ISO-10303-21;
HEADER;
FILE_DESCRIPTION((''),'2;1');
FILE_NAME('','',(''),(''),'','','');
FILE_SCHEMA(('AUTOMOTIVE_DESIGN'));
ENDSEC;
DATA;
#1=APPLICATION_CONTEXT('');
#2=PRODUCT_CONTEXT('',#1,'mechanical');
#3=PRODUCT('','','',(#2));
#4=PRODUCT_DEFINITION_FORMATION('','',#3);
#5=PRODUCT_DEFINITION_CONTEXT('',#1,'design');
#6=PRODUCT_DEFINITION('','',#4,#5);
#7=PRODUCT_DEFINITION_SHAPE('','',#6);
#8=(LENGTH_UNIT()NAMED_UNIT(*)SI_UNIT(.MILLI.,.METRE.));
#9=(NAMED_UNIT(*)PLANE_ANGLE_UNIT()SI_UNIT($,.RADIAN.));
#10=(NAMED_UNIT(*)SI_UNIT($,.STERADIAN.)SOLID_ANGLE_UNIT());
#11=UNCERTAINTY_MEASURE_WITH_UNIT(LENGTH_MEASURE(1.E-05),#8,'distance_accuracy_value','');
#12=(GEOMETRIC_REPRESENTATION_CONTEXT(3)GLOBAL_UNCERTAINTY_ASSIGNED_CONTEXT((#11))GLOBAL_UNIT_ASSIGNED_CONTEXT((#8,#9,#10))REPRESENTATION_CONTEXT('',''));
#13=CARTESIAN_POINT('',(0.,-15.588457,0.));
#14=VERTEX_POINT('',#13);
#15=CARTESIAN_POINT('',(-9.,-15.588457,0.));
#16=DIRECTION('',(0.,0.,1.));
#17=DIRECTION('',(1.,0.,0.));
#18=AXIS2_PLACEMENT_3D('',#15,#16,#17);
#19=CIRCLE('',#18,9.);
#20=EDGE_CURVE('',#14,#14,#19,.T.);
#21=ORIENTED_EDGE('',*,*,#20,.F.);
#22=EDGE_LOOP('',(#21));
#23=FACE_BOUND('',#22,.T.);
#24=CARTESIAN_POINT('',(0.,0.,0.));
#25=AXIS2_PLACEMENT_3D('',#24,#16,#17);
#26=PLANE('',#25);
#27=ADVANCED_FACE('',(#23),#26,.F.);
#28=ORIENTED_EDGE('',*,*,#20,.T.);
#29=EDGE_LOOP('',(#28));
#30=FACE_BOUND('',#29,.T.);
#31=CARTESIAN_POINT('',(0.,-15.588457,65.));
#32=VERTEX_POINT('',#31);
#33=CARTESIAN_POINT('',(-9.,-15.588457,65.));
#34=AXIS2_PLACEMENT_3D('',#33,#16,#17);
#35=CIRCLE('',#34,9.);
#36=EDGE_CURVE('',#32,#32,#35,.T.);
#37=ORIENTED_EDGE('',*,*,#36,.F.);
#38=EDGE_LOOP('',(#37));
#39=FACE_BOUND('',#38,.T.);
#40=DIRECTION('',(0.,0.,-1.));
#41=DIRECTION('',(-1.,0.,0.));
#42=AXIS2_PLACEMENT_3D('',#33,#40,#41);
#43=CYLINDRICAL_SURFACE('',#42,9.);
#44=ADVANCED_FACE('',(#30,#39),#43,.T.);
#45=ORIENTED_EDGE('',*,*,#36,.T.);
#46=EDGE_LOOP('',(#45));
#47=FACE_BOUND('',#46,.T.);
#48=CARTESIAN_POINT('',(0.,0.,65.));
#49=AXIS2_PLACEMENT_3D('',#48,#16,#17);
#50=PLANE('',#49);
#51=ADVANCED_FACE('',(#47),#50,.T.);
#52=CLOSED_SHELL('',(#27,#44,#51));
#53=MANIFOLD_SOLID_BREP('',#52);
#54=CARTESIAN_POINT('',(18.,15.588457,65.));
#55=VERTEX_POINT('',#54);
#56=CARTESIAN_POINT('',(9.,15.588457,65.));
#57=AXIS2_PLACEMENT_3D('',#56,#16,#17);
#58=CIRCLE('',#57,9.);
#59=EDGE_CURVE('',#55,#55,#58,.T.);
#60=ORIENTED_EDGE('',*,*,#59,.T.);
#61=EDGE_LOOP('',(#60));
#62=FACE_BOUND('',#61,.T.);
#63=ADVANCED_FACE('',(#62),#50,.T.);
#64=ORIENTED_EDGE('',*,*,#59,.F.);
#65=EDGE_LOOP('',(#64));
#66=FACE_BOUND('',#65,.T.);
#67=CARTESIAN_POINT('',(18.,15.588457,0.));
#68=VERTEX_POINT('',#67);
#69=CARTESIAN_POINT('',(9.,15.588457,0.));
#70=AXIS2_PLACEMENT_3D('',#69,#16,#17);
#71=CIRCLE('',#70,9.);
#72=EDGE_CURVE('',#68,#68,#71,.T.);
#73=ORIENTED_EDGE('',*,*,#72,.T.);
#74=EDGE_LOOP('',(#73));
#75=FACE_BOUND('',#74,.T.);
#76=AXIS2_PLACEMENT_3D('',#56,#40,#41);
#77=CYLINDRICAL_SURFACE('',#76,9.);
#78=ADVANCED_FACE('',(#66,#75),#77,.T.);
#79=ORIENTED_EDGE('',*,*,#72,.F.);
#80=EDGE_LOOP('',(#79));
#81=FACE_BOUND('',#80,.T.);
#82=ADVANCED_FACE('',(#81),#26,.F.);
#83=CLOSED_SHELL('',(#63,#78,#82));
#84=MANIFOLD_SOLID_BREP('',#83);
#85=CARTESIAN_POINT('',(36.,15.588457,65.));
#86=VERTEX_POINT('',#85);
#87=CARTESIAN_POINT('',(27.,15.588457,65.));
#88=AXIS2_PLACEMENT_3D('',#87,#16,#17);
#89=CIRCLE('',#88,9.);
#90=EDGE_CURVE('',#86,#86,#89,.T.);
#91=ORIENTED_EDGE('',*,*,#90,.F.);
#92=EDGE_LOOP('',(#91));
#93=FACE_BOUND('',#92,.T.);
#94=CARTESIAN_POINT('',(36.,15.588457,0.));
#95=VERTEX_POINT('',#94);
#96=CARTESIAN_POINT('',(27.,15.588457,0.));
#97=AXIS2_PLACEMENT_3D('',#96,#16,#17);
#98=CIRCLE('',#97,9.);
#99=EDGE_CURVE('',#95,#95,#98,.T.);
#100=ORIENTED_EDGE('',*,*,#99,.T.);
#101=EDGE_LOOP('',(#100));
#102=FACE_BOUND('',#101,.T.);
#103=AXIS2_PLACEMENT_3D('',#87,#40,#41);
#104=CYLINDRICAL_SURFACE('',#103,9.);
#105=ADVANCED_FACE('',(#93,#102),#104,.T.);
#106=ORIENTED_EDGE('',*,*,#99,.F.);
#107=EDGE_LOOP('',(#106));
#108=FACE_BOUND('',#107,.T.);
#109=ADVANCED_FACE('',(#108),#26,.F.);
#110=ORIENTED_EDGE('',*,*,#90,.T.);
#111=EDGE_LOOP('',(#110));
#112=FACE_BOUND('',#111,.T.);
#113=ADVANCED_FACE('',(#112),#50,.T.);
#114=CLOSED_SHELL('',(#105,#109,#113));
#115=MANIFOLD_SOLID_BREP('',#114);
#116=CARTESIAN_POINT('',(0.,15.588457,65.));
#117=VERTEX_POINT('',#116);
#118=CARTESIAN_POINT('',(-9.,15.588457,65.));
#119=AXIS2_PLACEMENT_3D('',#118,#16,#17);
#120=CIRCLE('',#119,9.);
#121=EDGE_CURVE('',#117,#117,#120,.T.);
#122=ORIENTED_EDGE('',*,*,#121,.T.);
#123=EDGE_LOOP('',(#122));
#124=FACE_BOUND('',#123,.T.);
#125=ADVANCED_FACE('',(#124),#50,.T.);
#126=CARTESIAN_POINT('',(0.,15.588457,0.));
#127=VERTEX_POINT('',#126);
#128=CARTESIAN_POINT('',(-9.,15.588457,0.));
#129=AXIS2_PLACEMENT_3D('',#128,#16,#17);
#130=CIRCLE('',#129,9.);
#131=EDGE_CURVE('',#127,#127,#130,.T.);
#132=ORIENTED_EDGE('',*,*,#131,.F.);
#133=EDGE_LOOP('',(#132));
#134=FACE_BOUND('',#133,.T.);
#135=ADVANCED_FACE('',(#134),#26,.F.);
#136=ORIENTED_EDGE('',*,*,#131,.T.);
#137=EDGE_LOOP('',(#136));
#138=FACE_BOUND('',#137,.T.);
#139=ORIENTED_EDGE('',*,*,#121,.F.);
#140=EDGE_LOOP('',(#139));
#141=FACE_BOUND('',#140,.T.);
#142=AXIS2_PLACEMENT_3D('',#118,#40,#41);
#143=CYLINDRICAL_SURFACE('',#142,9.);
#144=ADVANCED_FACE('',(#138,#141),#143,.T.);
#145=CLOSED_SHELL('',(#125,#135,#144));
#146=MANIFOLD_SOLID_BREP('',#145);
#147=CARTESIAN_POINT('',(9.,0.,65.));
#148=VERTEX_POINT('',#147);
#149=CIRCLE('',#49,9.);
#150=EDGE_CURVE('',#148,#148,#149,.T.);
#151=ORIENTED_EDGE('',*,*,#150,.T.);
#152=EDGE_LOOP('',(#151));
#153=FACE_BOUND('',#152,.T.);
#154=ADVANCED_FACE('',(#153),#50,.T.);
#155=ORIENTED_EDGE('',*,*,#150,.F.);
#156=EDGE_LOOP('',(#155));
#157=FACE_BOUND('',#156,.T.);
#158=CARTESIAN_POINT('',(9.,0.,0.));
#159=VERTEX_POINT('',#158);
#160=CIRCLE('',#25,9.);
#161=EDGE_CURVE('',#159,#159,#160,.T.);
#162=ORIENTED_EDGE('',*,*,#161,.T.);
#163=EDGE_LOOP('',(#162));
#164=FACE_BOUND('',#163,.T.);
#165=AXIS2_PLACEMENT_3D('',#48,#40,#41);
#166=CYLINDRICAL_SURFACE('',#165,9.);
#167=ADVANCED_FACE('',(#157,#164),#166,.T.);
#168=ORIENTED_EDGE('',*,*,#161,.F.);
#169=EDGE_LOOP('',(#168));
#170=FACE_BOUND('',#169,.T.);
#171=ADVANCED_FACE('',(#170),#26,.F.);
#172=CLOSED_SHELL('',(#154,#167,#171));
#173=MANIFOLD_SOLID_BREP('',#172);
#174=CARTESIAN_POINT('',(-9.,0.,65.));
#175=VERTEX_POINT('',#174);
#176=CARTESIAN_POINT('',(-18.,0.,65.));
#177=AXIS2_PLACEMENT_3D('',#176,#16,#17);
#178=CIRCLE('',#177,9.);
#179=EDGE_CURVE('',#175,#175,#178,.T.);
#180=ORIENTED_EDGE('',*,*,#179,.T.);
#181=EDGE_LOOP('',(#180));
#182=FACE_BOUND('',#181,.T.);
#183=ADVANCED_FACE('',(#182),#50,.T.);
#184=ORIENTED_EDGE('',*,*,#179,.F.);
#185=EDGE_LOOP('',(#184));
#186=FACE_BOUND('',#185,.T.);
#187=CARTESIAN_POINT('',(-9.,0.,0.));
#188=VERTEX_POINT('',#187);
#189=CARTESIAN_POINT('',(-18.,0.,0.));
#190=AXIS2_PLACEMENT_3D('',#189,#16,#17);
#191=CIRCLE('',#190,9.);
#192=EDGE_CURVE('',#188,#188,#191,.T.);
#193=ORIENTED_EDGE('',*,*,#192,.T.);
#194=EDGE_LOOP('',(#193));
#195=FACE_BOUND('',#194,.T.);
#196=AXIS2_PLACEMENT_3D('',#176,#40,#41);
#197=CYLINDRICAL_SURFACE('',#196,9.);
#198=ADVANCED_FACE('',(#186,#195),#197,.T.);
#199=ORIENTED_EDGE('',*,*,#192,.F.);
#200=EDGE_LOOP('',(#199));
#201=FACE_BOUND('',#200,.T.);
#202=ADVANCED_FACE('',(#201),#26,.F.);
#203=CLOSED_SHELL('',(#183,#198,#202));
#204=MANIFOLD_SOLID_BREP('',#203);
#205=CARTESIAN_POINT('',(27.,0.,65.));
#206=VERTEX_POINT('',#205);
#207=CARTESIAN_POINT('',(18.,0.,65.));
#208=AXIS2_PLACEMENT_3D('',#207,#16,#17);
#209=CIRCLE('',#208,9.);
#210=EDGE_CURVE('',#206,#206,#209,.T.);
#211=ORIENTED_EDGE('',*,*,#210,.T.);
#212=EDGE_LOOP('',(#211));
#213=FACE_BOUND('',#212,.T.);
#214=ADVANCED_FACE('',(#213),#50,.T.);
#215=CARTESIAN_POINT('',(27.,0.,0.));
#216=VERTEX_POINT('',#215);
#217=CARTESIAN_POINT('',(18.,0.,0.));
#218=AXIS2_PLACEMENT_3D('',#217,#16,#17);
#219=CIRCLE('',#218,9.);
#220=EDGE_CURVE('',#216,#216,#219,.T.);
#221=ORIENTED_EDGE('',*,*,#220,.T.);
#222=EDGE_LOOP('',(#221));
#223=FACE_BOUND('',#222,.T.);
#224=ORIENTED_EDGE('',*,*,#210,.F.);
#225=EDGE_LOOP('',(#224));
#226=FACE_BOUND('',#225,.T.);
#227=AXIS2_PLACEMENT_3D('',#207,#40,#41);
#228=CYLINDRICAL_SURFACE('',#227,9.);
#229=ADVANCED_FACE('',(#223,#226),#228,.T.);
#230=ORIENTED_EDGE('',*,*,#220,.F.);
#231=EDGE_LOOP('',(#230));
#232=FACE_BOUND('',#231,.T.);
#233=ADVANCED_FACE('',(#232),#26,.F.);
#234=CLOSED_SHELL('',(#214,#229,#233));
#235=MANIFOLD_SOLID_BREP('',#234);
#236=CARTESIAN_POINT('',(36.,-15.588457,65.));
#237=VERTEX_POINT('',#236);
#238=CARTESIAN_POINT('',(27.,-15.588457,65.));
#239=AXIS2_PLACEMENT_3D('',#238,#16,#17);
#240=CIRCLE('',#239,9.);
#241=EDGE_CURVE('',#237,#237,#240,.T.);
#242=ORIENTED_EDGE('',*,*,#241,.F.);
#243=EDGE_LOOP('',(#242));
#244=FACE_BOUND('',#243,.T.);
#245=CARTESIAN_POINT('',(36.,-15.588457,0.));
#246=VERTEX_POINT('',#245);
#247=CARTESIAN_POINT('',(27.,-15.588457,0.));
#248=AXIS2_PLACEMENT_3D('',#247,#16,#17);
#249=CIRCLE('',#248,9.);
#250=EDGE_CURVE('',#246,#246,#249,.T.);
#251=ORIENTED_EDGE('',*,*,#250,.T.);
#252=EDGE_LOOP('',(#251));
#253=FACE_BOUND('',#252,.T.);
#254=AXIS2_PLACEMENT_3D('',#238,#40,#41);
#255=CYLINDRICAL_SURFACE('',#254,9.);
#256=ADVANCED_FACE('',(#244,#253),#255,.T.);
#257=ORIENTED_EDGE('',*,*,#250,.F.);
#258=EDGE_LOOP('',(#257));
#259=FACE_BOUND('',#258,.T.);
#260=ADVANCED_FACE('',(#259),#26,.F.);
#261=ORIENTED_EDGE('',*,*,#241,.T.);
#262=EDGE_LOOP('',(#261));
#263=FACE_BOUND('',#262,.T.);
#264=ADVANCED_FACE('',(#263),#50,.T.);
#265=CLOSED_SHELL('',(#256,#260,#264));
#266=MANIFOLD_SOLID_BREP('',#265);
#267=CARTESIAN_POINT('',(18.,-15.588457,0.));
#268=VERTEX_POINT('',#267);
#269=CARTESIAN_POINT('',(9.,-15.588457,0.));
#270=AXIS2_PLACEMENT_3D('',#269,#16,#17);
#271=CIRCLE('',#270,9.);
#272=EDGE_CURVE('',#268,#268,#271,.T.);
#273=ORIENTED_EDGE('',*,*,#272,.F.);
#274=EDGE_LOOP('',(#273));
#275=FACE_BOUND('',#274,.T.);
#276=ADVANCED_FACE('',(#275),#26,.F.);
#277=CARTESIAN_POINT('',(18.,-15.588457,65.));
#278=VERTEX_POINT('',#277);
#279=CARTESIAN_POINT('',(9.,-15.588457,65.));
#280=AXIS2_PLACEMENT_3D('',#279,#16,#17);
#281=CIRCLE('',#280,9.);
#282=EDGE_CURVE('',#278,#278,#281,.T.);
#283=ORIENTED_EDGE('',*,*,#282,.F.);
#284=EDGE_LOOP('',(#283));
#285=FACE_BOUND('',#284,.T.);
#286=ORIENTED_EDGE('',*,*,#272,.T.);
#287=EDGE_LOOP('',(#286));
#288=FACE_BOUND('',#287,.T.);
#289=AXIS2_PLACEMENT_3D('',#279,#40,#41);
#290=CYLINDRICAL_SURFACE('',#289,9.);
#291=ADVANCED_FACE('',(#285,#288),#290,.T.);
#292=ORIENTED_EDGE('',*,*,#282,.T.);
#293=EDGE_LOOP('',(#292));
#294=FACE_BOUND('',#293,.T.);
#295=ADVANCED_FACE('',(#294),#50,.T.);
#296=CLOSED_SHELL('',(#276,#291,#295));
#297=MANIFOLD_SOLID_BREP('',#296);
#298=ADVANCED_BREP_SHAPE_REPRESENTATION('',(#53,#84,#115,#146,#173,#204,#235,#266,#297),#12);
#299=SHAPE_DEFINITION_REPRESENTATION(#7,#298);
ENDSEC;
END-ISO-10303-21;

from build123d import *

# Parameters (mm, degrees)
ESQUISSE1_R          = 9
BOSS_EXTRU_1_DEPTH   = 65
BOSS_EXTRU_1_2_DEPTH = 65
BOSS_EXTRU_1_3_DEPTH = 65
BOSS_EXTRU_1_4_DEPTH = 65
BOSS_EXTRU_1_5_DEPTH = 65
BOSS_EXTRU_1_6_DEPTH = 65
BOSS_EXTRU_1_7_DEPTH = 65
BOSS_EXTRU_1_8_DEPTH = 65
BOSS_EXTRU_1_9_DEPTH = 65


with BuildPart() as part:
    # Esquisse1 → Boss.-Extru.1 (new body)
    with BuildSketch(Plane.XY):
        with Locations((-18, 0)):
            Circle(ESQUISSE1_R)
    extrude(amount=BOSS_EXTRU_1_DEPTH)


with BuildPart() as body_2:
    # Esquisse1 → Boss.-Extru.1 2 (new body)
    with BuildSketch(Plane.XY):
        with Locations((-9, 15.588457268)):
            Circle(ESQUISSE1_R)
    extrude(amount=BOSS_EXTRU_1_2_DEPTH)


with BuildPart() as body_3:
    # Esquisse1 → Boss.-Extru.1 3 (new body)
    with BuildSketch(Plane.XY):
        Circle(ESQUISSE1_R)
    extrude(amount=BOSS_EXTRU_1_3_DEPTH)


with BuildPart() as body_4:
    # Esquisse1 → Boss.-Extru.1 4 (new body)
    with BuildSketch(Plane.XY):
        with Locations((9, 15.588457268)):
            Circle(ESQUISSE1_R)
    extrude(amount=BOSS_EXTRU_1_4_DEPTH)


with BuildPart() as body_5:
    # Esquisse1 → Boss.-Extru.1 5 (new body)
    with BuildSketch(Plane.XY):
        with Locations((27, 15.588457268)):
            Circle(ESQUISSE1_R)
    extrude(amount=BOSS_EXTRU_1_5_DEPTH)


with BuildPart() as body_6:
    # Esquisse1 → Boss.-Extru.1 6 (new body)
    with BuildSketch(Plane.XY):
        with Locations((18, 0)):
            Circle(ESQUISSE1_R)
    extrude(amount=BOSS_EXTRU_1_6_DEPTH)


with BuildPart() as body_7:
    # Esquisse1 → Boss.-Extru.1 7 (new body)
    with BuildSketch(Plane.XY):
        with Locations((9, -15.588457268)):
            Circle(ESQUISSE1_R)
    extrude(amount=BOSS_EXTRU_1_7_DEPTH)


with BuildPart() as body_8:
    # Esquisse1 → Boss.-Extru.1 8 (new body)
    with BuildSketch(Plane.XY):
        with Locations((-9, -15.588457268)):
            Circle(ESQUISSE1_R)
    extrude(amount=BOSS_EXTRU_1_8_DEPTH)


with BuildPart() as body_9:
    # Esquisse1 → Boss.-Extru.1 9 (new body)
    with BuildSketch(Plane.XY):
        with Locations((27, -15.588457268)):
            Circle(ESQUISSE1_R)
    extrude(amount=BOSS_EXTRU_1_9_DEPTH)


solid = Compound([part.part, body_2.part, body_3.part, body_4.part, body_5.part, body_6.part, body_7.part, body_8.part, body_9.part])
